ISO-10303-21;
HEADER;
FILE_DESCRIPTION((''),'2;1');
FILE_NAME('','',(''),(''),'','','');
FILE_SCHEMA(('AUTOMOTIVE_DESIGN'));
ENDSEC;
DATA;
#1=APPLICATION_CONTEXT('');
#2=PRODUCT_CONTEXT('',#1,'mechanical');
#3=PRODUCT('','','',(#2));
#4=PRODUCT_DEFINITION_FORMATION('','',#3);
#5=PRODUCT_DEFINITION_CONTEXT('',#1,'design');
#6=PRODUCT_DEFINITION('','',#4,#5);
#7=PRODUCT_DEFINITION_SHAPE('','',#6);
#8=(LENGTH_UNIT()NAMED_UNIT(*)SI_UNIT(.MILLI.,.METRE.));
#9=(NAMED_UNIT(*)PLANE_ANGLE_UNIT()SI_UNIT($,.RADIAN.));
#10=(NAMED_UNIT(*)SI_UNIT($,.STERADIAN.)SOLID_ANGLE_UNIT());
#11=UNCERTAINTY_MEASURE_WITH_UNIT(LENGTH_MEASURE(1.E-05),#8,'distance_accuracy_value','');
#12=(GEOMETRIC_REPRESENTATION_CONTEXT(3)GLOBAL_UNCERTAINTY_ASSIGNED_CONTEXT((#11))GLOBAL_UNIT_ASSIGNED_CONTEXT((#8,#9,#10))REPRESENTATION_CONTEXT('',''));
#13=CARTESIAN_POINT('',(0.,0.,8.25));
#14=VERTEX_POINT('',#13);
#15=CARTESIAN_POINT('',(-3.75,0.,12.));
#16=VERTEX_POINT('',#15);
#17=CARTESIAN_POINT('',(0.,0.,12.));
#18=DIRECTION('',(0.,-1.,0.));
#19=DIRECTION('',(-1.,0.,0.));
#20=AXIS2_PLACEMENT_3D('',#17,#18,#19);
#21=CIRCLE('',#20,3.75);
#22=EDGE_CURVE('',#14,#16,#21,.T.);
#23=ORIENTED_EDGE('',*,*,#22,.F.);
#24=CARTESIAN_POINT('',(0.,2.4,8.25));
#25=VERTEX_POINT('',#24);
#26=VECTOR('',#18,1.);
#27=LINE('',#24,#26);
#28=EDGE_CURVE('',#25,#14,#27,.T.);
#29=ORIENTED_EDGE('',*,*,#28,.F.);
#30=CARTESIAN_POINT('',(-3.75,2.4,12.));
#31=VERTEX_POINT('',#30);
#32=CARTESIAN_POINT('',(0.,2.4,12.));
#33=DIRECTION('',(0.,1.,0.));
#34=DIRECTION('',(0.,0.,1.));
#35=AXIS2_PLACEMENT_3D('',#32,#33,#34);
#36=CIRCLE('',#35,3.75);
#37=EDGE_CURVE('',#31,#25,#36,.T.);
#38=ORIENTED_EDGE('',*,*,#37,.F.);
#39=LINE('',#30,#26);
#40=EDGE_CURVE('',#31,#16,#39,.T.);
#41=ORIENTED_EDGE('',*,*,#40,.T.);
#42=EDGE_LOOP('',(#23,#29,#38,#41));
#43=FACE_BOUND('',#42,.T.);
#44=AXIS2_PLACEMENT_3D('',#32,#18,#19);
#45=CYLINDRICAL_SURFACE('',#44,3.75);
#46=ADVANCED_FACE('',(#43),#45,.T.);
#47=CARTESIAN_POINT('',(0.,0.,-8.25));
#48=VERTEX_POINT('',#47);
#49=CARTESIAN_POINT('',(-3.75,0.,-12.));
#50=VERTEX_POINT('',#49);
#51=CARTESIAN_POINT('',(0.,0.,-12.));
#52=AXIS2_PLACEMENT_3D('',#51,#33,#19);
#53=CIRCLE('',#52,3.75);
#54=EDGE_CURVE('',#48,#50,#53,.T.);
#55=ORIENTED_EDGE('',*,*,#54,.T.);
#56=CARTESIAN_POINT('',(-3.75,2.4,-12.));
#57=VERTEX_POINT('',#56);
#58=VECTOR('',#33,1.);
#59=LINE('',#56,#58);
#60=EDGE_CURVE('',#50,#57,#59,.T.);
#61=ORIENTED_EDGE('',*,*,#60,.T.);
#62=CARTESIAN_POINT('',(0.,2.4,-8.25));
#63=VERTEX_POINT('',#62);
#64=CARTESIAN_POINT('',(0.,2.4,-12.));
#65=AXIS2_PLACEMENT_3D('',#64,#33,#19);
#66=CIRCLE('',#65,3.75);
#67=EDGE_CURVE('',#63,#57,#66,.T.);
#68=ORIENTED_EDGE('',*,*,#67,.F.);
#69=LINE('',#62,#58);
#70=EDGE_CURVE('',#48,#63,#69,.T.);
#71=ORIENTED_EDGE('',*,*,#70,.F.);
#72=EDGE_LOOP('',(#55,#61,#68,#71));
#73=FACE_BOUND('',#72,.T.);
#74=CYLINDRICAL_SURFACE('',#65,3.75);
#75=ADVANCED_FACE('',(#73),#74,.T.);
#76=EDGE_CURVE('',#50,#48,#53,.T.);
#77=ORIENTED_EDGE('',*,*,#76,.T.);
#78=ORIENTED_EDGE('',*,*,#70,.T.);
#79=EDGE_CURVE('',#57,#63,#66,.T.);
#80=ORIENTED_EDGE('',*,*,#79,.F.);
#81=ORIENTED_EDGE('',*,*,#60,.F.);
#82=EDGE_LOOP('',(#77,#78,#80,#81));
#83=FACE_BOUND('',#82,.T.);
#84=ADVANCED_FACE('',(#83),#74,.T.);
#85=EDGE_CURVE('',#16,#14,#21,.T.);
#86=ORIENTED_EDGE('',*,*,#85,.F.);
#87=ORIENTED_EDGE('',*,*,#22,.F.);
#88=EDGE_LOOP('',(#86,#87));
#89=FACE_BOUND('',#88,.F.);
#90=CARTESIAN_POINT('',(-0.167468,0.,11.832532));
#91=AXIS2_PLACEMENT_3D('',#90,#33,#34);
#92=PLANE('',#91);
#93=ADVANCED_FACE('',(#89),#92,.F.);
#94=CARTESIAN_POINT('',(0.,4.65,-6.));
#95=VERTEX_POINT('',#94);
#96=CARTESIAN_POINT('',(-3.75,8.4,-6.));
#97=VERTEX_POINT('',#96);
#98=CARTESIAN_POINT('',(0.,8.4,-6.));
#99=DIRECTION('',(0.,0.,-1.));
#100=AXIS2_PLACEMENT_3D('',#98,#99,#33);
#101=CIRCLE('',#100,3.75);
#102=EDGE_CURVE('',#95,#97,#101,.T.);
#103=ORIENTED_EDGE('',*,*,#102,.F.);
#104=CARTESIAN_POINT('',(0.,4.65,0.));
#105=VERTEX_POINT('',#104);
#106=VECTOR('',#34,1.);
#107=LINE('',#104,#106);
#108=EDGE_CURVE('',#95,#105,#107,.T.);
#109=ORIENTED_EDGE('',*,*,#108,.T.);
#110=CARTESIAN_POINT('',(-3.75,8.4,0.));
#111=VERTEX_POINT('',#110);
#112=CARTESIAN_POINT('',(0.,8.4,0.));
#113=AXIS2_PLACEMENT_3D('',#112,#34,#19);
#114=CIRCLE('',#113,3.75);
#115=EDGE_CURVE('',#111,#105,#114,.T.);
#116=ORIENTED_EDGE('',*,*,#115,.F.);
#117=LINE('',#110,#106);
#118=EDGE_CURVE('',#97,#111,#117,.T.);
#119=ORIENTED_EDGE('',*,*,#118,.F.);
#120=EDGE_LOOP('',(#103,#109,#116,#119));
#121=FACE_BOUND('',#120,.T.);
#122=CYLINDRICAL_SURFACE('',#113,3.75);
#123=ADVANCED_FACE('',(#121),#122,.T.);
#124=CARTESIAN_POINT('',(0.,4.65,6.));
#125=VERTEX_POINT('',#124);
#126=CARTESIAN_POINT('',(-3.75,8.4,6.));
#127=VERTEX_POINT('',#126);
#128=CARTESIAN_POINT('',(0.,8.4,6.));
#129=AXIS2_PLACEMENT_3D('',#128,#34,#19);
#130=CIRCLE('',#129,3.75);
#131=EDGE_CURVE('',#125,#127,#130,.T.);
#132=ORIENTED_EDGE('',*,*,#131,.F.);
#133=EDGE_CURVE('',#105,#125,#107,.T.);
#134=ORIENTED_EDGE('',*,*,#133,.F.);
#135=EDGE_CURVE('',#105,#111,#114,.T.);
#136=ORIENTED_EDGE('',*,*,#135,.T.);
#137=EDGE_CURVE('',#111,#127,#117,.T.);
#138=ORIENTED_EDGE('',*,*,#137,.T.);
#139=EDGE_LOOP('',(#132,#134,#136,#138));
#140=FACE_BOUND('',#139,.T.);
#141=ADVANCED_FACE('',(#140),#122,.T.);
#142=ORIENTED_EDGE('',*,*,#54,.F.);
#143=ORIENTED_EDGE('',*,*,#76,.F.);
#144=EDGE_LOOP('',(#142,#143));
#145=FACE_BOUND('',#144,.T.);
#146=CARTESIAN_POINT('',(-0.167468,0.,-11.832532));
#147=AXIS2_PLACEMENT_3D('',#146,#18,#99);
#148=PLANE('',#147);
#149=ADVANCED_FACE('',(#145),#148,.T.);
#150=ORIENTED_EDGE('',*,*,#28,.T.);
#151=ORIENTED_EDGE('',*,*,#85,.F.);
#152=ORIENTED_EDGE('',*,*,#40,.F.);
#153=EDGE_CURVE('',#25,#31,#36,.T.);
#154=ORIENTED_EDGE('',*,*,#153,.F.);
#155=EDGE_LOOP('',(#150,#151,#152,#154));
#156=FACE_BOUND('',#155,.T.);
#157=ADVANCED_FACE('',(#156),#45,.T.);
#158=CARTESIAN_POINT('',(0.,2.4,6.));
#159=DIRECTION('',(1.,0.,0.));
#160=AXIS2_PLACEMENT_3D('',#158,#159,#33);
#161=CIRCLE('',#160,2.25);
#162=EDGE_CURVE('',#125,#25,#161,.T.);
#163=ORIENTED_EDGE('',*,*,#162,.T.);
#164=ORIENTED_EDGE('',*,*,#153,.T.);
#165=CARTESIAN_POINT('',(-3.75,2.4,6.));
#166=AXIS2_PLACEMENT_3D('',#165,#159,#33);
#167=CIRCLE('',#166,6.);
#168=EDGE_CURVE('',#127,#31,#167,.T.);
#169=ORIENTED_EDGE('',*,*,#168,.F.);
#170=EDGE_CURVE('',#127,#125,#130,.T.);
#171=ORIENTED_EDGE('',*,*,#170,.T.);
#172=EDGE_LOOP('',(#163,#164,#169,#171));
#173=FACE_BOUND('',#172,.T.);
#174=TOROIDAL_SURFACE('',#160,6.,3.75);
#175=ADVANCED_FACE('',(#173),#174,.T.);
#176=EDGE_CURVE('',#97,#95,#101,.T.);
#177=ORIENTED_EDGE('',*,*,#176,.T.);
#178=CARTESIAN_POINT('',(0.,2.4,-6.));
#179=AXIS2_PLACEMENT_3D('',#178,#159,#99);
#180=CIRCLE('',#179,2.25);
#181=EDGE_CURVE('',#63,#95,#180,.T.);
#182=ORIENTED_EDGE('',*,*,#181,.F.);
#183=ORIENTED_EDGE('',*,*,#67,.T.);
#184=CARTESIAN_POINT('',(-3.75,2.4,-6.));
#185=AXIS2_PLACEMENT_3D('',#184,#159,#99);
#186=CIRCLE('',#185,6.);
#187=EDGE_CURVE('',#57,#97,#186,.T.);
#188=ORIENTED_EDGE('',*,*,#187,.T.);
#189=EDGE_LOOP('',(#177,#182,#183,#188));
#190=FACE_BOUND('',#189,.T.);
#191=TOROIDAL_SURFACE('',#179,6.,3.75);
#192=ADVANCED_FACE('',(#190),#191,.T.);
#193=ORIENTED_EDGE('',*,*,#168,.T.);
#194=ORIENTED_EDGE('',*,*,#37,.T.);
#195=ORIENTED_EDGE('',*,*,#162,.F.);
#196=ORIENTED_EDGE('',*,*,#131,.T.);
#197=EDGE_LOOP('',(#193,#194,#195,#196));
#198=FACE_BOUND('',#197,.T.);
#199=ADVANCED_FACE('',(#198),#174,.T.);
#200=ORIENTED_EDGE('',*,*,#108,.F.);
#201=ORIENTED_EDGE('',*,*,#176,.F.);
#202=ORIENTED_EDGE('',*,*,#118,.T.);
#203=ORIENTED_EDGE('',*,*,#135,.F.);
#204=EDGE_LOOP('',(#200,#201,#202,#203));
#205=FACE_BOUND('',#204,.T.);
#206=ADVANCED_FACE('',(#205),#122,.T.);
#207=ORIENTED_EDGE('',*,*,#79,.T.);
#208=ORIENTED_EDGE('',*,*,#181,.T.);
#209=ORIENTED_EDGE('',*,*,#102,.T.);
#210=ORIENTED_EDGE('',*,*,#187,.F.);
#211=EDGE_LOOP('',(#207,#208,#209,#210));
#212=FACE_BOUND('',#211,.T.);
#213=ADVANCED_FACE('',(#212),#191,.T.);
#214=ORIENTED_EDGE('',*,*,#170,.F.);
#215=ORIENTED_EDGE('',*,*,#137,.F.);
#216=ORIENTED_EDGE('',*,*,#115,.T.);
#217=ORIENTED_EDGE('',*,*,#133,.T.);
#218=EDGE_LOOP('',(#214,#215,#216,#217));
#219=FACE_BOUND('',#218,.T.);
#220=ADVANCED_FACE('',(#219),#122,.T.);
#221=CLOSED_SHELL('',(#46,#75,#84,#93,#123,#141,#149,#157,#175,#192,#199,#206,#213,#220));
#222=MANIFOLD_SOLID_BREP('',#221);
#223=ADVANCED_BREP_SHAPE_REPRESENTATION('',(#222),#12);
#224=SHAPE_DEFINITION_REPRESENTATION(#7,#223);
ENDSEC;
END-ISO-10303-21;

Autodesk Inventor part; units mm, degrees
ref_plane "YZ Plane" through (0, 0, 0) normal (1, 0, 0) x (0, 1, 0)
ref_plane "XZ Plane" through (0, 0, 0) normal (0, 1, 0) x (-1, 0, 0)
ref_plane "XY Plane" through (0, 0, 0) normal (0, 0, 1) x (1, 0, 0)
sketch "Sketch1" plane through (0, 0, 0) normal (1, 0, 0) x (0, 1, 0)
  line L0 (0, 0) -> (8.4, 0)
  line L1 (8.4, 0) -> (8.4, 6)
  line L2 (2.4, 12) -> (0, 12)
  arc A0 (8.4, 6) -> (2.4, 12) centre (2.4, 6) ccw
  line L3 (8.4, 0) -> (8.4, -6)
  line L4 (2.4, -12) -> (0, -12)
  arc A1 (2.4, -12) -> (8.4, -6) centre (2.4, -6) ccw
  dimension "d1" = 12
  dimension "d2" = 12
  dimension "d5" = 6
  dimension "d6" = 6
sketch "Sketch2" plane through (0, 0, 0) normal (0, 1, 0) x (-1, 0, 0)
  line L0 (0, 0) -> (0, 12)
  circle A0 centre (0, 12) radius 3.75
  dimension "d7" = 12
  dimension "d8" = 7.5
sweep "Sweep1" add profiles "Sketch2" path "Sketch1" path curves L2 A0 L1 L3 A1 L4
sketch "Sketch3" plane through (0, 0, -12) normal (0, -1, 0) x (1, 0, 0)
  point P0 (0, 12)
properties part number "Tube for ball screew"
